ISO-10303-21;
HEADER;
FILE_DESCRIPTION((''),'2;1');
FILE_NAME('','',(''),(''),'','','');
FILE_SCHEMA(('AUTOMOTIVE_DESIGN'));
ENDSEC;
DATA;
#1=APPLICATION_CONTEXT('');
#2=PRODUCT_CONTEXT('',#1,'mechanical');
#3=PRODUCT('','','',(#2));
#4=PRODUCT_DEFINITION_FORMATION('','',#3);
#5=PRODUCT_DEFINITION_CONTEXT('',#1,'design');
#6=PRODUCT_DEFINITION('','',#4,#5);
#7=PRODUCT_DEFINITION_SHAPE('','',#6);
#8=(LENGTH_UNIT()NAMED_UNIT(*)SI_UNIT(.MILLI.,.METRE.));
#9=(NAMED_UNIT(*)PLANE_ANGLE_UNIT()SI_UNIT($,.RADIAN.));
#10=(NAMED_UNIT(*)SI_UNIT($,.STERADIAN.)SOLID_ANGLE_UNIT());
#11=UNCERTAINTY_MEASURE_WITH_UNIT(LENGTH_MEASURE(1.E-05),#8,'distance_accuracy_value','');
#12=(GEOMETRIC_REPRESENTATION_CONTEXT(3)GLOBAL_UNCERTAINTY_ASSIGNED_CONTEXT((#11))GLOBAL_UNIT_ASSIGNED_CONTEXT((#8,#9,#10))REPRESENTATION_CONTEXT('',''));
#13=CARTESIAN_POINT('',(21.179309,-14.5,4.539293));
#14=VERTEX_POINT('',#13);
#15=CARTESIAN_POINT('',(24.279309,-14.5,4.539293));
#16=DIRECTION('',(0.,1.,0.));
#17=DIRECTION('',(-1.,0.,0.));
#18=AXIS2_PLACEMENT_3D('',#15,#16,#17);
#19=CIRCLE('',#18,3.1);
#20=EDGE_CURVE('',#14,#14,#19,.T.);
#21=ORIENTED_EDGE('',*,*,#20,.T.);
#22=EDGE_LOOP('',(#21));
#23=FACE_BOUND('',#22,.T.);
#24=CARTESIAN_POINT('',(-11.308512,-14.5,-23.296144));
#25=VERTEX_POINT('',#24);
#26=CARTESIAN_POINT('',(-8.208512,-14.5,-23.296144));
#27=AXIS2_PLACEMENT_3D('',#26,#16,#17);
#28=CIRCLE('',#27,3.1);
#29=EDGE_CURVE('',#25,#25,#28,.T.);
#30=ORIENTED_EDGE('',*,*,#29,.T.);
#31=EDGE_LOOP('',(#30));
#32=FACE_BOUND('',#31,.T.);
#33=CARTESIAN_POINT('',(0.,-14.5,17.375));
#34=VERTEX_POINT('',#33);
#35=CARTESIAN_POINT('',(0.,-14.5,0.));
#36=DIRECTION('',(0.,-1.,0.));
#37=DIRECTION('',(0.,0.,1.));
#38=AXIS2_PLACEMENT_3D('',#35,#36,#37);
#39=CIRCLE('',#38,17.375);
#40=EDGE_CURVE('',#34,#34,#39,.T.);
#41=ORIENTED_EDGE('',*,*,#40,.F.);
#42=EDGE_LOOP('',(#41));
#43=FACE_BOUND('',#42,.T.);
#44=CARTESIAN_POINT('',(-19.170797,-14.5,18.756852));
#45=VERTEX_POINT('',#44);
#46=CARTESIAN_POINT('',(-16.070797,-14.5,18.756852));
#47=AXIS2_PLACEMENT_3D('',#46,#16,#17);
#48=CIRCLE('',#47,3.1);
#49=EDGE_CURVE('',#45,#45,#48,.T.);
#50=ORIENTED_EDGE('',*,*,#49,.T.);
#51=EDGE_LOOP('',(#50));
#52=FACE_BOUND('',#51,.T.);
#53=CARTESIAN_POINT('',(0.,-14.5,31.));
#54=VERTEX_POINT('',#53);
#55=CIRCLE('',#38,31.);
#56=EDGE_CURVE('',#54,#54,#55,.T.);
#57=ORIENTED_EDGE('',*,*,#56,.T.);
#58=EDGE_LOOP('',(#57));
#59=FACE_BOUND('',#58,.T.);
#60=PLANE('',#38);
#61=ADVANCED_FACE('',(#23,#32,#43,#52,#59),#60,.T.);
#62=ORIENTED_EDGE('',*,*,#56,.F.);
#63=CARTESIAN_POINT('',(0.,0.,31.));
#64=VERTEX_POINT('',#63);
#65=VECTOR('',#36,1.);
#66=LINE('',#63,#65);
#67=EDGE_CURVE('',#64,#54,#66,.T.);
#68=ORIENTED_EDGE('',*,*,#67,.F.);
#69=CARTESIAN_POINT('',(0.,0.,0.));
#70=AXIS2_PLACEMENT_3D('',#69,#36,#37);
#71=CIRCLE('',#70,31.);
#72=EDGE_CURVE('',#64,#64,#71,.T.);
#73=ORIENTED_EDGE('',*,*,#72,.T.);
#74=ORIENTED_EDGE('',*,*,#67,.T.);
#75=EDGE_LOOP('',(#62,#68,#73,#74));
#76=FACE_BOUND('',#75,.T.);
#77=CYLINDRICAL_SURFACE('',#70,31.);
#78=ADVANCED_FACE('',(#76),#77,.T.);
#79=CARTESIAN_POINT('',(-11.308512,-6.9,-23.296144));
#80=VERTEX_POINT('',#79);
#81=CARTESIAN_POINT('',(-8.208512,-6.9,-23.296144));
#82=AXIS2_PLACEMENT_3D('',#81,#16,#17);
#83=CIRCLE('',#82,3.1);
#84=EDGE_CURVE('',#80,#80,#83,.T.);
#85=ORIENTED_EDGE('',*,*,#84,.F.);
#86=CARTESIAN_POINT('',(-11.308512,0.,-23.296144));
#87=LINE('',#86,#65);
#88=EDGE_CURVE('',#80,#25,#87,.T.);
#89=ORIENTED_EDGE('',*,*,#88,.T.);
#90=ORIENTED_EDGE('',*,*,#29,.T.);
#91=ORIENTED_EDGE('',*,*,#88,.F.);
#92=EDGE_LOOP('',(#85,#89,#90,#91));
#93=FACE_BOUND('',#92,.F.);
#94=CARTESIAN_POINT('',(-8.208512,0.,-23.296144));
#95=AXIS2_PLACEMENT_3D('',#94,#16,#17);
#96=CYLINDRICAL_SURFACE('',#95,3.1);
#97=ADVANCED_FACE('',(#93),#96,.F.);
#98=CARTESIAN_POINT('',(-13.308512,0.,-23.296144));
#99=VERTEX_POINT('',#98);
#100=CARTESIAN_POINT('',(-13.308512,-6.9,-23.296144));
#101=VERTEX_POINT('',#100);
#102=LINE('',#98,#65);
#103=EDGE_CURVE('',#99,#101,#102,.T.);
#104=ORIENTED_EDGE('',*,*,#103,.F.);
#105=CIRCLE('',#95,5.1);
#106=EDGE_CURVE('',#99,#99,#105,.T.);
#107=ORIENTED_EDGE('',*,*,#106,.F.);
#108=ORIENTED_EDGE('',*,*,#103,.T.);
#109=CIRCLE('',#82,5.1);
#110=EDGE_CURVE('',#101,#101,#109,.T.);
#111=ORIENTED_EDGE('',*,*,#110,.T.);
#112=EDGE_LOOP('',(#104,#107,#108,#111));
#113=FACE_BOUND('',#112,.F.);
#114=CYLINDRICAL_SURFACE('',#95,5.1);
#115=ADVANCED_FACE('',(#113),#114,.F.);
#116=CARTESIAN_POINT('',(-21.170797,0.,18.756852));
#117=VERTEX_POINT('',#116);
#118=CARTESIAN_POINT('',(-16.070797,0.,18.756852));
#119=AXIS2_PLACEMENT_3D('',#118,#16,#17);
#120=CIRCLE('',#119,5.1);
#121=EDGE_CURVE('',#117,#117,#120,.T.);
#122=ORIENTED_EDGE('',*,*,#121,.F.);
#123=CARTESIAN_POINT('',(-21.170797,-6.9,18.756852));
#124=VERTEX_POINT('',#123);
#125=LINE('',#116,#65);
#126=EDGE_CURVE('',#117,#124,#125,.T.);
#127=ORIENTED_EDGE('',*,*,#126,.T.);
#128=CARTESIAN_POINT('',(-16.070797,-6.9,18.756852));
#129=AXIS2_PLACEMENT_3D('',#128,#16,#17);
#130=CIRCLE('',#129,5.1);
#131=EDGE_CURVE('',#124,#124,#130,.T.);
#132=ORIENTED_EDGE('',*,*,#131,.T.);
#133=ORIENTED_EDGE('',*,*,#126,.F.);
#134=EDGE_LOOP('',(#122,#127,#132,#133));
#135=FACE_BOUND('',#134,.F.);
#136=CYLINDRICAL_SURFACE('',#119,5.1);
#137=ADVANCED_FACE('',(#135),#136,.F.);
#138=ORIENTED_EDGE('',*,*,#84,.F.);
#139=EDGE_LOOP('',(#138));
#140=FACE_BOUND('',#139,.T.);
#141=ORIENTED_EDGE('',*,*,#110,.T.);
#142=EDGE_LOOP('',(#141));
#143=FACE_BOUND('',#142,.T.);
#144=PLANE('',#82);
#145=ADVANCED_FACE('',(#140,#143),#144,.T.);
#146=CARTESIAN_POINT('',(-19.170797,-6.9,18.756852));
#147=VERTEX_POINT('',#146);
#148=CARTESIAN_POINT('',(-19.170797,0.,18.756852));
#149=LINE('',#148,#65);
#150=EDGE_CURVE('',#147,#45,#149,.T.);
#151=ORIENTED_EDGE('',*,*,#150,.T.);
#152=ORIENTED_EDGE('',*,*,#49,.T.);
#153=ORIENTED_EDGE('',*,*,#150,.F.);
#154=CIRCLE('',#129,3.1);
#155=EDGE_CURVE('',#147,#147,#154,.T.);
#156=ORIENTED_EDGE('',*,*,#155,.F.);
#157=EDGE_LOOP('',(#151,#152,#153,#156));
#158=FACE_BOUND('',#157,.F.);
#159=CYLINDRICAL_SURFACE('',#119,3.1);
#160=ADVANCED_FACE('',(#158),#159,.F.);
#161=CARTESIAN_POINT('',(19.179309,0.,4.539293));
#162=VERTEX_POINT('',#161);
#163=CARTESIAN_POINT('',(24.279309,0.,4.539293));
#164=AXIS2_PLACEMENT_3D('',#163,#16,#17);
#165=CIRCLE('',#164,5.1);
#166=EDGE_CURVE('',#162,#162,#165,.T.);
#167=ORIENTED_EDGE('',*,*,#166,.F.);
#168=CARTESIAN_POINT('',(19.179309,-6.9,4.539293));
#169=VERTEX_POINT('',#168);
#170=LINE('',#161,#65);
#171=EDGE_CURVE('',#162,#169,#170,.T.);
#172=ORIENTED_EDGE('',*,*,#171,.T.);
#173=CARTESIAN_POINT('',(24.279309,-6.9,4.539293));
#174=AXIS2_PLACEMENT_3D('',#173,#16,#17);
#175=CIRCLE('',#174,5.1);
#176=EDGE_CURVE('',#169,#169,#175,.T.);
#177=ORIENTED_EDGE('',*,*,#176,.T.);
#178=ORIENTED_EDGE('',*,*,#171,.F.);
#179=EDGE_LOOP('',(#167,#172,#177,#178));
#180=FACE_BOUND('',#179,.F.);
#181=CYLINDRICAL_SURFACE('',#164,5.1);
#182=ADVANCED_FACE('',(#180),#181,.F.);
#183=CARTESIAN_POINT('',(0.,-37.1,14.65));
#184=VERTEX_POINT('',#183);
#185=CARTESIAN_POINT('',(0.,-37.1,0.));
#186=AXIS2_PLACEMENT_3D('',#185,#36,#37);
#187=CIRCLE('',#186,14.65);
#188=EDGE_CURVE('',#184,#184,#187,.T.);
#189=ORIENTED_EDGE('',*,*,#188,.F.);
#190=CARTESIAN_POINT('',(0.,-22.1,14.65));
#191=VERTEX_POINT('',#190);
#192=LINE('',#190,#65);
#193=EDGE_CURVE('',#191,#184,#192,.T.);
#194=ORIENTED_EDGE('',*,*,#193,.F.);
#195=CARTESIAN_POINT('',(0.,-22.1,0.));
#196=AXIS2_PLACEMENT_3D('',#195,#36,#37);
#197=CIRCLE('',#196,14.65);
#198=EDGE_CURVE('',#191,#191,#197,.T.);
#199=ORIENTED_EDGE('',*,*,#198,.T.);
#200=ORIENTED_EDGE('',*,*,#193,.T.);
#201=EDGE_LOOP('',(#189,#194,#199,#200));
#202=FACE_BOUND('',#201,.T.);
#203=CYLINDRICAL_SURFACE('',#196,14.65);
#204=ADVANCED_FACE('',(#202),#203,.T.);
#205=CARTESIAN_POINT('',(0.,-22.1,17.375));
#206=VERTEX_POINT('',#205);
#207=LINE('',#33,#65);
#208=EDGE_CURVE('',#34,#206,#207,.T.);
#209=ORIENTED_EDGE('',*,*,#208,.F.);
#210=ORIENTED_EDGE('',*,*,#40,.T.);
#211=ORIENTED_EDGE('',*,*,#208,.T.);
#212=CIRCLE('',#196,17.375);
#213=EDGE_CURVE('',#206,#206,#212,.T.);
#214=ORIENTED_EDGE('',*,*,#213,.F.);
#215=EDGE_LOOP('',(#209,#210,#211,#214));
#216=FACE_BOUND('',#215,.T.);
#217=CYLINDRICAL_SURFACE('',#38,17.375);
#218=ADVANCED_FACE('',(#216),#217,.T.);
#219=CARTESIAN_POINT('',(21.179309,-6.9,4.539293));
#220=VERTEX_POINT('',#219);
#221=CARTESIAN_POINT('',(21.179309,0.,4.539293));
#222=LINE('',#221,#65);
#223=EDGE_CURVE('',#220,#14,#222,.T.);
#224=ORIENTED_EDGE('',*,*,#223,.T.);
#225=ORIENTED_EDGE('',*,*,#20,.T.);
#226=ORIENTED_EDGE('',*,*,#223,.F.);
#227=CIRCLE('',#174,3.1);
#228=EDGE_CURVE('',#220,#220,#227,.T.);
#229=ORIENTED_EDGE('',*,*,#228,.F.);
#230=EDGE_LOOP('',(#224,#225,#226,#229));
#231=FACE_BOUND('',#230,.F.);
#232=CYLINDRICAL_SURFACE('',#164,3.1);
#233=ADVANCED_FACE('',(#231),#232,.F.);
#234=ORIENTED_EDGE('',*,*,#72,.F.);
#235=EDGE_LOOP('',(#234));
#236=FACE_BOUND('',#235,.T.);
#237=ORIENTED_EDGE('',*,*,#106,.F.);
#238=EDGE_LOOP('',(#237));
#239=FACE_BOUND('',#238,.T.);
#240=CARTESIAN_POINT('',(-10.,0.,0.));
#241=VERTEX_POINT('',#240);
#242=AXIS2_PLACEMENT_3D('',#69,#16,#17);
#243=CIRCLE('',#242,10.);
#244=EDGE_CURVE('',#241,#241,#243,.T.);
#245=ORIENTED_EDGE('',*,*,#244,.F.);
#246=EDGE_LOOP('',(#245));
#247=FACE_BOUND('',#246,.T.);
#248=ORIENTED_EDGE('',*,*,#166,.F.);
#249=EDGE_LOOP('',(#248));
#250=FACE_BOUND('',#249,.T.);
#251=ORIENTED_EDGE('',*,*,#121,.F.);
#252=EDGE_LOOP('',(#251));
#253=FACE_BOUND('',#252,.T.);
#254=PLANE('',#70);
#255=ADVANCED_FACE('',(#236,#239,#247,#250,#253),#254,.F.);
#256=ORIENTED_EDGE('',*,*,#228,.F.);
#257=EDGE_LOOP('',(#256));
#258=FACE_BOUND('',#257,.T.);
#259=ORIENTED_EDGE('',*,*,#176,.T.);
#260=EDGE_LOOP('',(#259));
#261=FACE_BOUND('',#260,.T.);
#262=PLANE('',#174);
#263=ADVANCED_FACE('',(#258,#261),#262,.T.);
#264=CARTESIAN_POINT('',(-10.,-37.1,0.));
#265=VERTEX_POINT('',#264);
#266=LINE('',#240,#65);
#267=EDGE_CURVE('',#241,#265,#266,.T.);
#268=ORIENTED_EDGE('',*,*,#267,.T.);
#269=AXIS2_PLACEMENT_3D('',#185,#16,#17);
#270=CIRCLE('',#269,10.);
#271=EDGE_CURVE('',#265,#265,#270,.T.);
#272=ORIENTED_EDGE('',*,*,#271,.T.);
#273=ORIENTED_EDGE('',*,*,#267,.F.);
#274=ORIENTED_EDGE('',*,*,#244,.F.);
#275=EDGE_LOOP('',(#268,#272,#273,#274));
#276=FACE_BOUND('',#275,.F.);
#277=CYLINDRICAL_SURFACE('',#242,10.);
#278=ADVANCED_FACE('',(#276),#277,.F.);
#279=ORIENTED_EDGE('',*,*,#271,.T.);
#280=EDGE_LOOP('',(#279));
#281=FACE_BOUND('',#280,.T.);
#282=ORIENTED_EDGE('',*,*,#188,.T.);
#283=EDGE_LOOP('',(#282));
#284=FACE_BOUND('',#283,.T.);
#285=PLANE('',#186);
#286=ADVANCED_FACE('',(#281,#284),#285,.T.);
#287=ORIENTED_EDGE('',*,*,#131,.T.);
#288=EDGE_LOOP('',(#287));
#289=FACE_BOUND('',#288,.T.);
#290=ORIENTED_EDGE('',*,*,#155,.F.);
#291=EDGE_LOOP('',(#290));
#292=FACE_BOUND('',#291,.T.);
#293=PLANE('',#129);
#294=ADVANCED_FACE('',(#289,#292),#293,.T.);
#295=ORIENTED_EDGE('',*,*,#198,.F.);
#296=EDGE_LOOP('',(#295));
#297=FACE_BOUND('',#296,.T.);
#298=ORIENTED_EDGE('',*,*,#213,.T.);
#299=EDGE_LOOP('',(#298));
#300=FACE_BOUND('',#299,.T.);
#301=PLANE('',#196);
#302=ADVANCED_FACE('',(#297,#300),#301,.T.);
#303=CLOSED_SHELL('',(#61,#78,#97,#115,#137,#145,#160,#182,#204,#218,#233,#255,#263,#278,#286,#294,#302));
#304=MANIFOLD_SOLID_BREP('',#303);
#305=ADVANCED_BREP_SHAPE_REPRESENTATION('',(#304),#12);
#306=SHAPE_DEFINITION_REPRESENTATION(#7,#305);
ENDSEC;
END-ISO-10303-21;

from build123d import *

# Parameters (mm, degrees)
F2_R     = 3.1
F2_R_2   = 10
F3_DEPTH = 47.8
F2_R_3   = 5.1
F4_DEPTH = 6.9


with BuildPart() as f1:
    # F0 (on Right) → F1 (revolve)
    with BuildSketch(Plane.YZ):
        Polygon((-22.1, 14.65), (-37.1, 14.65), (-37.1, 0), (0, 0), (0, 31), (-14.5, 31), (-14.5, 17.375), (-22.1, 17.375), align=None)
    revolve(axis=Axis((0, -18.55, 0), (0, -1, 0)))

    # F2 (on face) → F3 (cut)
    with BuildSketch(Plane(origin=(0, 0, 0), x_dir=(-1, 0, 0), z_dir=(0, 1, 0))):
        with Locations((-24.279309, 4.539293)):
            Circle(F2_R)
        Circle(F2_R_2)
        with Locations((16.070797, 18.756852)):
            Circle(F2_R)
        with Locations((8.208512, -23.296144)):
            Circle(F2_R)
    extrude(amount=-F3_DEPTH, mode=Mode.SUBTRACT)

    # F2 (on face) → F4 (cut)
    with BuildSketch(Plane(origin=(0, 0, 0), x_dir=(-1, 0, 0), z_dir=(0, 1, 0))):
        with Locations((-24.279309, 4.539293)):
            Circle(F2_R_3)
        with Locations((-24.279309, 4.539293)):
            Circle(F2_R, mode=Mode.SUBTRACT)
        with Locations((16.070797, 18.756852)):
            Circle(F2_R_3)
        with Locations((16.070797, 18.756852)):
            Circle(F2_R, mode=Mode.SUBTRACT)
        with Locations((8.208512, -23.296144)):
            Circle(F2_R_3)
        with Locations((8.208512, -23.296144)):
            Circle(F2_R, mode=Mode.SUBTRACT)
    extrude(amount=-F4_DEPTH, mode=Mode.SUBTRACT)


solid = f1.part
